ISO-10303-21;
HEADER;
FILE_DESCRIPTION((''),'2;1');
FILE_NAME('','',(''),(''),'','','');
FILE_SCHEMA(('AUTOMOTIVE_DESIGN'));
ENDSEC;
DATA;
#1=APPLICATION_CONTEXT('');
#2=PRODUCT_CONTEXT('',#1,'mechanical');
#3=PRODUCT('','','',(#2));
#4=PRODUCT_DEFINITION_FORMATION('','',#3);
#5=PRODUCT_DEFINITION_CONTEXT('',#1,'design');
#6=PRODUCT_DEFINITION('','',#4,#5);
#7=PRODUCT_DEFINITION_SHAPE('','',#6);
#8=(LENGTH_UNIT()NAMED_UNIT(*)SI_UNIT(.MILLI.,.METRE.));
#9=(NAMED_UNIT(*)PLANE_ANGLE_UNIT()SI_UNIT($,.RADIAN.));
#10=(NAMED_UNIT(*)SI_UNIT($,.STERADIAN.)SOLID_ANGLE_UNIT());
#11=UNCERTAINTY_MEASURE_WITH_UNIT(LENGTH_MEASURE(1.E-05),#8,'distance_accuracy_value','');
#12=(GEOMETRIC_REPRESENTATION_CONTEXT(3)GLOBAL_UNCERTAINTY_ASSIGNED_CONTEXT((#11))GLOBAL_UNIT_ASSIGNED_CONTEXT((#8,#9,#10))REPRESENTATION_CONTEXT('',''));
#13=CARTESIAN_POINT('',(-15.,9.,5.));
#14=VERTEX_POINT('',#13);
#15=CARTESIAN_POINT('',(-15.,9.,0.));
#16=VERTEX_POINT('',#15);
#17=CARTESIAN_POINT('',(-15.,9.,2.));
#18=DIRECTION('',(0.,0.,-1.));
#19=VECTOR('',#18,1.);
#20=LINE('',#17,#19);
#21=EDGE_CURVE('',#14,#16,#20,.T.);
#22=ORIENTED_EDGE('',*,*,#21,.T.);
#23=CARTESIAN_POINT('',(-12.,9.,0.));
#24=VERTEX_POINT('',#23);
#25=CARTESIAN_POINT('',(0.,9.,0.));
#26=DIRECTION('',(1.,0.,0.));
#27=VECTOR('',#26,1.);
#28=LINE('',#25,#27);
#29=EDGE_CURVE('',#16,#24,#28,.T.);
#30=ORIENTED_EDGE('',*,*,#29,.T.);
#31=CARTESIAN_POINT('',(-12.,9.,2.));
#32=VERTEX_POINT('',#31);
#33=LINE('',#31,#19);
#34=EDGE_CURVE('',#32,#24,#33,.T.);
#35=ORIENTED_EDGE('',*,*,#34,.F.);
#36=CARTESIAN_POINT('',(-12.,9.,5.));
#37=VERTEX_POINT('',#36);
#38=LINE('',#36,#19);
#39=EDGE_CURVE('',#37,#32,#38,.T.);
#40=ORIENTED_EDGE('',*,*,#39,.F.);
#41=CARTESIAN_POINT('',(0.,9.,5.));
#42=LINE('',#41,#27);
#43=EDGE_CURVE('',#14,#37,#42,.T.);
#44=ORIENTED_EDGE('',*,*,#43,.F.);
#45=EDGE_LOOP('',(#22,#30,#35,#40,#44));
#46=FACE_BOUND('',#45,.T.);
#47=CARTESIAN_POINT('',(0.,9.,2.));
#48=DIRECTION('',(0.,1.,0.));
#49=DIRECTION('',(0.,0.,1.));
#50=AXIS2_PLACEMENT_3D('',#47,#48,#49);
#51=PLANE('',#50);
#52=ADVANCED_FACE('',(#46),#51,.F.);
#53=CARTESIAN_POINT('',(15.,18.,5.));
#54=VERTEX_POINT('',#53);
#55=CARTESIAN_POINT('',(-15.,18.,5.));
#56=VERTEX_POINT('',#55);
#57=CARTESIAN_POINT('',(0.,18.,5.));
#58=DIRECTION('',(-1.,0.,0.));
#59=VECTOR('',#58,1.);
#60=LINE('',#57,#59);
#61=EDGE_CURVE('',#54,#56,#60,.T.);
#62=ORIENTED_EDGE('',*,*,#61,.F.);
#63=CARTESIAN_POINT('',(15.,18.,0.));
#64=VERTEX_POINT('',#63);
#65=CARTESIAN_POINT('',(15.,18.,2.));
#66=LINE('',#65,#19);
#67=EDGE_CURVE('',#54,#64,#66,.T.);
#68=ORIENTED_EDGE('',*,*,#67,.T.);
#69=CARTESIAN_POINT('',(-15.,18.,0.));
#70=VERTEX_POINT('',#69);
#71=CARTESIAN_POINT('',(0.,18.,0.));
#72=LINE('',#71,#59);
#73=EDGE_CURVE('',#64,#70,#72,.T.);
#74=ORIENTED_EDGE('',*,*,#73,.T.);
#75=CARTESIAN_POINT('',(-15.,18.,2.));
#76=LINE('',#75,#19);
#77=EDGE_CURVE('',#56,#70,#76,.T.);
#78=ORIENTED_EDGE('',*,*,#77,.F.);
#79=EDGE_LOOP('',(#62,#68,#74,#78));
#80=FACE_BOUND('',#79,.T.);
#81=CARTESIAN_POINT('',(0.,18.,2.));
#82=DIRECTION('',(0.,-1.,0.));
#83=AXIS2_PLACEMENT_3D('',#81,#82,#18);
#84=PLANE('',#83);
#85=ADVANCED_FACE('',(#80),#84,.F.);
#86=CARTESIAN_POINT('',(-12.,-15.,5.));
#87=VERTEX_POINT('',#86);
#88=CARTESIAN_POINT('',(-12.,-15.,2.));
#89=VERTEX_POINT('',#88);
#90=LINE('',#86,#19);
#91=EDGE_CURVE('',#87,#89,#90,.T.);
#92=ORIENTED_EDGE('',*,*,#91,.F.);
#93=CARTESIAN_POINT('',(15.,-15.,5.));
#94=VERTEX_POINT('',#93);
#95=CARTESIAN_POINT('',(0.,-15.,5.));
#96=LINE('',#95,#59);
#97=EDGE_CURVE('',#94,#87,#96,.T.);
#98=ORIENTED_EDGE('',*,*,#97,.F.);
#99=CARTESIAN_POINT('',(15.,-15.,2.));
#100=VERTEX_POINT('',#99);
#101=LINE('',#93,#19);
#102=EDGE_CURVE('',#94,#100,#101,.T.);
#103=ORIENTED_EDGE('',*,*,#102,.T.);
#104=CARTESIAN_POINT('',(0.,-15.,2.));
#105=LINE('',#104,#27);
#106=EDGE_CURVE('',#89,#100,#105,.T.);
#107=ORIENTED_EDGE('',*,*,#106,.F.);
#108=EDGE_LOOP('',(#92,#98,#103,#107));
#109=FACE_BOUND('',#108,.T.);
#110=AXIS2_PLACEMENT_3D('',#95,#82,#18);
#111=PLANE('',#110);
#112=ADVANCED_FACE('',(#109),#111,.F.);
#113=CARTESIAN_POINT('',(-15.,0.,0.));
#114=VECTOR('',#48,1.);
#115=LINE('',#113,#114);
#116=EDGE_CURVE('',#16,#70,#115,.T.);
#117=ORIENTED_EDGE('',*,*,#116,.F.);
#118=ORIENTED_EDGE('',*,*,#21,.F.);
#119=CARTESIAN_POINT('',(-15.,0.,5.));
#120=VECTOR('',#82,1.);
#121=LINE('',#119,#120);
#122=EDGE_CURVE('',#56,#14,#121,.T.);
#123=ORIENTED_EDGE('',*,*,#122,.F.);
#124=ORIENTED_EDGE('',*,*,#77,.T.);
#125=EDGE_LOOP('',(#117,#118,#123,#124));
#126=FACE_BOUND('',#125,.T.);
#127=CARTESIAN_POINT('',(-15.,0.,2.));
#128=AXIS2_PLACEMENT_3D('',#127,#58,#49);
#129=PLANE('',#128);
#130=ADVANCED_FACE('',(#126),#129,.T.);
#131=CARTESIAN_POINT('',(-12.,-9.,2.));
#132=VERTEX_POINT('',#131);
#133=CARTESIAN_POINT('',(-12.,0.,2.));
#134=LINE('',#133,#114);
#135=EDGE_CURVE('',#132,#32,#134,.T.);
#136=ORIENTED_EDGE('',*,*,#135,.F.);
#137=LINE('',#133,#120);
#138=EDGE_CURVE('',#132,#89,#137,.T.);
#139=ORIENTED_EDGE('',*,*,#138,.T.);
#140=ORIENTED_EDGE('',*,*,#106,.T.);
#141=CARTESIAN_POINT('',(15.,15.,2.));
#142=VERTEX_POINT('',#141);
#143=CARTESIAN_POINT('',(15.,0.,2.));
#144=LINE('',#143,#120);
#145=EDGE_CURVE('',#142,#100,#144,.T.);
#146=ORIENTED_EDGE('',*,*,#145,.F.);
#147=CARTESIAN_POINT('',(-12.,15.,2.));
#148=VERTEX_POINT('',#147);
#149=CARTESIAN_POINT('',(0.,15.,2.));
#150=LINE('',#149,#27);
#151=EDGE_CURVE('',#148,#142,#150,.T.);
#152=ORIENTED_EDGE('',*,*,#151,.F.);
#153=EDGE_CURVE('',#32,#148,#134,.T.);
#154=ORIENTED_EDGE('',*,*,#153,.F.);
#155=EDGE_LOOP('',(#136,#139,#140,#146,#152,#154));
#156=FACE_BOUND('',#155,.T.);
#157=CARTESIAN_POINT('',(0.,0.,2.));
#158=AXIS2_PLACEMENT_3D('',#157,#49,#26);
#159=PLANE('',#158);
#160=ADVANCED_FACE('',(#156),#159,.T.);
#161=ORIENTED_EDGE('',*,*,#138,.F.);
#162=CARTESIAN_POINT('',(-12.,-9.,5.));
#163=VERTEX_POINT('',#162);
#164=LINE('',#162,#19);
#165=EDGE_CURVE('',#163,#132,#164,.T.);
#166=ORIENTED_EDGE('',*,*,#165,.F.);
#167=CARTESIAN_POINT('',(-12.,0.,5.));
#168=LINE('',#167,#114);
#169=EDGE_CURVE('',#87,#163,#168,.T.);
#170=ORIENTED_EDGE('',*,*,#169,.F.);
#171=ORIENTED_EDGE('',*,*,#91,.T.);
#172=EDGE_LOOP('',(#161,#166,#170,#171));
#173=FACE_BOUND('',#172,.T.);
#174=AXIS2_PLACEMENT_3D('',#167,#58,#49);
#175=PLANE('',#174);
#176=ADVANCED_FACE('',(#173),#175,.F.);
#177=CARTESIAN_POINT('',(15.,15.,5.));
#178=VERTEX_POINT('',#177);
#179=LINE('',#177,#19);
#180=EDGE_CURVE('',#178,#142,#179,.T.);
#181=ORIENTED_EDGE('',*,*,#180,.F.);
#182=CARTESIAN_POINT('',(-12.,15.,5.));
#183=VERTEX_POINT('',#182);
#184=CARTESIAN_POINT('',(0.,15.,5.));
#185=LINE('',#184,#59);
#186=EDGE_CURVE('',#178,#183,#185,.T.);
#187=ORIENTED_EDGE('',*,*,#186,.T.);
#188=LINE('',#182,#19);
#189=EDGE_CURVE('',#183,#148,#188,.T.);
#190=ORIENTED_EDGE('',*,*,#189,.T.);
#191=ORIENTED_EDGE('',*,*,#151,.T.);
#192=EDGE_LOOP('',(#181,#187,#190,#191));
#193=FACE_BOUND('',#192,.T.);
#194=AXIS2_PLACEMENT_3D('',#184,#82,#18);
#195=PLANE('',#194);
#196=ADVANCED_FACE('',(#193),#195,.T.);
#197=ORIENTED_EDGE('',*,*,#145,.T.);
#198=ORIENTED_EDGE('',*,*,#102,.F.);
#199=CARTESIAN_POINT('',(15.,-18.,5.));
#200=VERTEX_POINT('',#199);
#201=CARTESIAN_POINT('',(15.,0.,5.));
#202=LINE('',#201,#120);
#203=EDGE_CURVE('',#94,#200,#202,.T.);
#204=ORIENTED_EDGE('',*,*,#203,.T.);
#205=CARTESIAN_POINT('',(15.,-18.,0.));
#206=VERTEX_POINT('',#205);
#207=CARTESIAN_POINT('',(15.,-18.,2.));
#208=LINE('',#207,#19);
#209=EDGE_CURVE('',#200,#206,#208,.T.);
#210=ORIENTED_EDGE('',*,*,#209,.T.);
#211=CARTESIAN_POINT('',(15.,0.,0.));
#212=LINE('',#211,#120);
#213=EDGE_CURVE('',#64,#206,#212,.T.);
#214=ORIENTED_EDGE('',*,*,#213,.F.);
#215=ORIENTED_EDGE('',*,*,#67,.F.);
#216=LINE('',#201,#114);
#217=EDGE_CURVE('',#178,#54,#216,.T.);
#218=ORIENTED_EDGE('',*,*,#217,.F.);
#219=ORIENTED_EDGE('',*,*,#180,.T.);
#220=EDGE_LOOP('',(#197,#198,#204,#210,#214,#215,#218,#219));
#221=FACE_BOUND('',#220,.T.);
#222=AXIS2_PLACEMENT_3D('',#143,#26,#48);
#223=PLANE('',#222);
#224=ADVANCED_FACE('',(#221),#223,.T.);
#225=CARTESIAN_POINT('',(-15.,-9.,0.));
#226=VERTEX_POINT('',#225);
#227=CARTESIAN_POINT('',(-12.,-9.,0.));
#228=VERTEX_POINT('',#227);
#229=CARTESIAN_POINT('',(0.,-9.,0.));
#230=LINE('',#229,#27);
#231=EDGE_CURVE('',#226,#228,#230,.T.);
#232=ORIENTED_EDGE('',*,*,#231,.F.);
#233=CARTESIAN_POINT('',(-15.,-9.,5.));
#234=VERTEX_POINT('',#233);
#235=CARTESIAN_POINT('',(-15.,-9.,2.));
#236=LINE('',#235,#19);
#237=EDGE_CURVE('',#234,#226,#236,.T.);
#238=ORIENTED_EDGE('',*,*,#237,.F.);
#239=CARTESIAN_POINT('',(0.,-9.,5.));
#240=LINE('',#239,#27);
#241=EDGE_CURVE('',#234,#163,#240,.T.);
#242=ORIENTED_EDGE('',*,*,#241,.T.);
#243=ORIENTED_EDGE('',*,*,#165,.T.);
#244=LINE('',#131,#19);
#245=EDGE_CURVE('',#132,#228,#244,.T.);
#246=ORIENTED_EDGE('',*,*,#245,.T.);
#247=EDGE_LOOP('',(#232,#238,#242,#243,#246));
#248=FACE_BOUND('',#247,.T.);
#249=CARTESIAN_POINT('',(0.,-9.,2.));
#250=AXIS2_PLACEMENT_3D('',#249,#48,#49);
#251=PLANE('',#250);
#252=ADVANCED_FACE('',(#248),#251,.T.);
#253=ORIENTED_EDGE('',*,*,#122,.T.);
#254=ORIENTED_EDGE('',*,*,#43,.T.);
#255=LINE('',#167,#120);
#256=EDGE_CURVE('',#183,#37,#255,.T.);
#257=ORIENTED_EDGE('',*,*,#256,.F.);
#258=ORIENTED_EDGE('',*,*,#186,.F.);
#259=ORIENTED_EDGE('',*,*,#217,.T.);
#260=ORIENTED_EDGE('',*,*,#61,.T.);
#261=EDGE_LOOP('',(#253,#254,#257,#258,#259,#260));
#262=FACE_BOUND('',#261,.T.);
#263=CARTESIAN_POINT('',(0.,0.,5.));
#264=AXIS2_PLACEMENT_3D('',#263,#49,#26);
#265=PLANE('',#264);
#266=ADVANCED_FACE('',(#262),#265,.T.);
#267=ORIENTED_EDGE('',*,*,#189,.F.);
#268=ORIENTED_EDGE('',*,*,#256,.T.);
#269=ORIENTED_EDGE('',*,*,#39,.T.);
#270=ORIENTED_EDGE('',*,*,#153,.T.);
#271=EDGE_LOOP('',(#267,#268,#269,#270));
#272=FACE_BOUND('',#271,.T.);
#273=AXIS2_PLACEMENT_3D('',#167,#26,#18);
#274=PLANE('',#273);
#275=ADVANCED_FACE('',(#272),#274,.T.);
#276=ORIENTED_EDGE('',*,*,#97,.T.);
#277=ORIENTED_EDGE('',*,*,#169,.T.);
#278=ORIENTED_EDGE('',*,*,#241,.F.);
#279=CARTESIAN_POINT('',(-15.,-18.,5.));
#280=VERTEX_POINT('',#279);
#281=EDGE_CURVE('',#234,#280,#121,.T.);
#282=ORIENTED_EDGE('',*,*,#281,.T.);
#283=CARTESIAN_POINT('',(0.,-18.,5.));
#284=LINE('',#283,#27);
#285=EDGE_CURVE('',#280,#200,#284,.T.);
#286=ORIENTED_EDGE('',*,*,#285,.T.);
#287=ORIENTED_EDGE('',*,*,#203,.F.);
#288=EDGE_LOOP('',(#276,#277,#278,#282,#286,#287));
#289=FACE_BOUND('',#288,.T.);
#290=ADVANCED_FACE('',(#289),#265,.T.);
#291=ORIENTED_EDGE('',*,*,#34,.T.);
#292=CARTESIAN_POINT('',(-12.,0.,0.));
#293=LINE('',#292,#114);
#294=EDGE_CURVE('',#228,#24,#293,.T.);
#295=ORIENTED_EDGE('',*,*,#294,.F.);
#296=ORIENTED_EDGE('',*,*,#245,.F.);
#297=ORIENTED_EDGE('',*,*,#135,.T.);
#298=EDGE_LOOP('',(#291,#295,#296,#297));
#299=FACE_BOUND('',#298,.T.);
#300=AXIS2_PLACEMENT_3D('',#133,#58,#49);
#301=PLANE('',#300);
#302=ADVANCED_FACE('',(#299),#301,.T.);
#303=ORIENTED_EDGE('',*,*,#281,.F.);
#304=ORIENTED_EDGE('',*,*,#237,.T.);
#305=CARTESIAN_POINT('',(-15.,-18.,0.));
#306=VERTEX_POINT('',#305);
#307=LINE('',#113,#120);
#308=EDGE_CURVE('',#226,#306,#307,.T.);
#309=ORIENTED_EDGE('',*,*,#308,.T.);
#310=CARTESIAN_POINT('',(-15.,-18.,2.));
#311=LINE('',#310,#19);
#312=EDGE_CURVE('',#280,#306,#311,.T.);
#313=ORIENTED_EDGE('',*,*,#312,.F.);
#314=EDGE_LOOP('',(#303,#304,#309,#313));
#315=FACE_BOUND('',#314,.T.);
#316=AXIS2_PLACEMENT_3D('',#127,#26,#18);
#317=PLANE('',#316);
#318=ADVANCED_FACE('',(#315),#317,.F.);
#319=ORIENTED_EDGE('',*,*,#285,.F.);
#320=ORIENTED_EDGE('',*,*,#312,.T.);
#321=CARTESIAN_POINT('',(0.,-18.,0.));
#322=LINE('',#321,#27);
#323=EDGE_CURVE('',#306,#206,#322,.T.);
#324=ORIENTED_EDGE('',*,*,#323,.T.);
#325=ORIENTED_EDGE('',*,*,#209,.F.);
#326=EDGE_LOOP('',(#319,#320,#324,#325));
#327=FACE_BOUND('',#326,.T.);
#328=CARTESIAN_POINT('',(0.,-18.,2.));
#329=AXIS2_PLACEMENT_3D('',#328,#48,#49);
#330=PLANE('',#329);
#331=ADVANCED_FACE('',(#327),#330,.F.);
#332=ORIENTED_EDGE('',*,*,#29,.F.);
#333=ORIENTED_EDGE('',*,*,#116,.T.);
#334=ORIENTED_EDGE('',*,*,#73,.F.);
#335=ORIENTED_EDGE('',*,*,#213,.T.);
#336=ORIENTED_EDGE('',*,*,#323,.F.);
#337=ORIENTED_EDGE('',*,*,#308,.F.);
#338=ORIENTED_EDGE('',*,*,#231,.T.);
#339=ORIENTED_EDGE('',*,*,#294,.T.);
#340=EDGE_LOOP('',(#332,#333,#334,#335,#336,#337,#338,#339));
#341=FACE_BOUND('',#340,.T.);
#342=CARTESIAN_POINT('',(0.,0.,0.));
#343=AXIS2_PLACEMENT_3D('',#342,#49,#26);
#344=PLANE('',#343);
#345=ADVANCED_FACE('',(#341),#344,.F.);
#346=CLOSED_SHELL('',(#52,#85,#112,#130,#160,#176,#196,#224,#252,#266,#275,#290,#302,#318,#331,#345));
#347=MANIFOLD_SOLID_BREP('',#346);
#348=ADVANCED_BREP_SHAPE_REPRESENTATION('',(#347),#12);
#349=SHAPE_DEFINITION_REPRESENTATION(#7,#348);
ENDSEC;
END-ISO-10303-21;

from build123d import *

# Parameters (mm, degrees)
BOSS_EXTRUDE1_DEPTH = 2
BOSS_EXTRUDE2_DEPTH = 5


with BuildPart() as part:
    # Sketch1 → Boss-Extrude1 (new body)
    with BuildSketch(Plane.XY):
        Polygon((15, 18), (-15, 18), (-15, 9), (-12, 9), (-12, -9), (-15, -9), (-15, -18), (15, -18), align=None)
    extrude(amount=BOSS_EXTRUDE1_DEPTH)

    # Sketch1<3> → Boss-Extrude2 (add)
    with BuildSketch(Plane.XY):
        Polygon((-15, 9), (-12, 9), (-12, 15), (15, 15), (15, 18), (-15, 18), align=None)
        Polygon((-12, -15), (-12, -9), (-15, -9), (-15, -18), (15, -18), (15, -15), align=None)
    extrude(amount=BOSS_EXTRUDE2_DEPTH)


solid = part.part
